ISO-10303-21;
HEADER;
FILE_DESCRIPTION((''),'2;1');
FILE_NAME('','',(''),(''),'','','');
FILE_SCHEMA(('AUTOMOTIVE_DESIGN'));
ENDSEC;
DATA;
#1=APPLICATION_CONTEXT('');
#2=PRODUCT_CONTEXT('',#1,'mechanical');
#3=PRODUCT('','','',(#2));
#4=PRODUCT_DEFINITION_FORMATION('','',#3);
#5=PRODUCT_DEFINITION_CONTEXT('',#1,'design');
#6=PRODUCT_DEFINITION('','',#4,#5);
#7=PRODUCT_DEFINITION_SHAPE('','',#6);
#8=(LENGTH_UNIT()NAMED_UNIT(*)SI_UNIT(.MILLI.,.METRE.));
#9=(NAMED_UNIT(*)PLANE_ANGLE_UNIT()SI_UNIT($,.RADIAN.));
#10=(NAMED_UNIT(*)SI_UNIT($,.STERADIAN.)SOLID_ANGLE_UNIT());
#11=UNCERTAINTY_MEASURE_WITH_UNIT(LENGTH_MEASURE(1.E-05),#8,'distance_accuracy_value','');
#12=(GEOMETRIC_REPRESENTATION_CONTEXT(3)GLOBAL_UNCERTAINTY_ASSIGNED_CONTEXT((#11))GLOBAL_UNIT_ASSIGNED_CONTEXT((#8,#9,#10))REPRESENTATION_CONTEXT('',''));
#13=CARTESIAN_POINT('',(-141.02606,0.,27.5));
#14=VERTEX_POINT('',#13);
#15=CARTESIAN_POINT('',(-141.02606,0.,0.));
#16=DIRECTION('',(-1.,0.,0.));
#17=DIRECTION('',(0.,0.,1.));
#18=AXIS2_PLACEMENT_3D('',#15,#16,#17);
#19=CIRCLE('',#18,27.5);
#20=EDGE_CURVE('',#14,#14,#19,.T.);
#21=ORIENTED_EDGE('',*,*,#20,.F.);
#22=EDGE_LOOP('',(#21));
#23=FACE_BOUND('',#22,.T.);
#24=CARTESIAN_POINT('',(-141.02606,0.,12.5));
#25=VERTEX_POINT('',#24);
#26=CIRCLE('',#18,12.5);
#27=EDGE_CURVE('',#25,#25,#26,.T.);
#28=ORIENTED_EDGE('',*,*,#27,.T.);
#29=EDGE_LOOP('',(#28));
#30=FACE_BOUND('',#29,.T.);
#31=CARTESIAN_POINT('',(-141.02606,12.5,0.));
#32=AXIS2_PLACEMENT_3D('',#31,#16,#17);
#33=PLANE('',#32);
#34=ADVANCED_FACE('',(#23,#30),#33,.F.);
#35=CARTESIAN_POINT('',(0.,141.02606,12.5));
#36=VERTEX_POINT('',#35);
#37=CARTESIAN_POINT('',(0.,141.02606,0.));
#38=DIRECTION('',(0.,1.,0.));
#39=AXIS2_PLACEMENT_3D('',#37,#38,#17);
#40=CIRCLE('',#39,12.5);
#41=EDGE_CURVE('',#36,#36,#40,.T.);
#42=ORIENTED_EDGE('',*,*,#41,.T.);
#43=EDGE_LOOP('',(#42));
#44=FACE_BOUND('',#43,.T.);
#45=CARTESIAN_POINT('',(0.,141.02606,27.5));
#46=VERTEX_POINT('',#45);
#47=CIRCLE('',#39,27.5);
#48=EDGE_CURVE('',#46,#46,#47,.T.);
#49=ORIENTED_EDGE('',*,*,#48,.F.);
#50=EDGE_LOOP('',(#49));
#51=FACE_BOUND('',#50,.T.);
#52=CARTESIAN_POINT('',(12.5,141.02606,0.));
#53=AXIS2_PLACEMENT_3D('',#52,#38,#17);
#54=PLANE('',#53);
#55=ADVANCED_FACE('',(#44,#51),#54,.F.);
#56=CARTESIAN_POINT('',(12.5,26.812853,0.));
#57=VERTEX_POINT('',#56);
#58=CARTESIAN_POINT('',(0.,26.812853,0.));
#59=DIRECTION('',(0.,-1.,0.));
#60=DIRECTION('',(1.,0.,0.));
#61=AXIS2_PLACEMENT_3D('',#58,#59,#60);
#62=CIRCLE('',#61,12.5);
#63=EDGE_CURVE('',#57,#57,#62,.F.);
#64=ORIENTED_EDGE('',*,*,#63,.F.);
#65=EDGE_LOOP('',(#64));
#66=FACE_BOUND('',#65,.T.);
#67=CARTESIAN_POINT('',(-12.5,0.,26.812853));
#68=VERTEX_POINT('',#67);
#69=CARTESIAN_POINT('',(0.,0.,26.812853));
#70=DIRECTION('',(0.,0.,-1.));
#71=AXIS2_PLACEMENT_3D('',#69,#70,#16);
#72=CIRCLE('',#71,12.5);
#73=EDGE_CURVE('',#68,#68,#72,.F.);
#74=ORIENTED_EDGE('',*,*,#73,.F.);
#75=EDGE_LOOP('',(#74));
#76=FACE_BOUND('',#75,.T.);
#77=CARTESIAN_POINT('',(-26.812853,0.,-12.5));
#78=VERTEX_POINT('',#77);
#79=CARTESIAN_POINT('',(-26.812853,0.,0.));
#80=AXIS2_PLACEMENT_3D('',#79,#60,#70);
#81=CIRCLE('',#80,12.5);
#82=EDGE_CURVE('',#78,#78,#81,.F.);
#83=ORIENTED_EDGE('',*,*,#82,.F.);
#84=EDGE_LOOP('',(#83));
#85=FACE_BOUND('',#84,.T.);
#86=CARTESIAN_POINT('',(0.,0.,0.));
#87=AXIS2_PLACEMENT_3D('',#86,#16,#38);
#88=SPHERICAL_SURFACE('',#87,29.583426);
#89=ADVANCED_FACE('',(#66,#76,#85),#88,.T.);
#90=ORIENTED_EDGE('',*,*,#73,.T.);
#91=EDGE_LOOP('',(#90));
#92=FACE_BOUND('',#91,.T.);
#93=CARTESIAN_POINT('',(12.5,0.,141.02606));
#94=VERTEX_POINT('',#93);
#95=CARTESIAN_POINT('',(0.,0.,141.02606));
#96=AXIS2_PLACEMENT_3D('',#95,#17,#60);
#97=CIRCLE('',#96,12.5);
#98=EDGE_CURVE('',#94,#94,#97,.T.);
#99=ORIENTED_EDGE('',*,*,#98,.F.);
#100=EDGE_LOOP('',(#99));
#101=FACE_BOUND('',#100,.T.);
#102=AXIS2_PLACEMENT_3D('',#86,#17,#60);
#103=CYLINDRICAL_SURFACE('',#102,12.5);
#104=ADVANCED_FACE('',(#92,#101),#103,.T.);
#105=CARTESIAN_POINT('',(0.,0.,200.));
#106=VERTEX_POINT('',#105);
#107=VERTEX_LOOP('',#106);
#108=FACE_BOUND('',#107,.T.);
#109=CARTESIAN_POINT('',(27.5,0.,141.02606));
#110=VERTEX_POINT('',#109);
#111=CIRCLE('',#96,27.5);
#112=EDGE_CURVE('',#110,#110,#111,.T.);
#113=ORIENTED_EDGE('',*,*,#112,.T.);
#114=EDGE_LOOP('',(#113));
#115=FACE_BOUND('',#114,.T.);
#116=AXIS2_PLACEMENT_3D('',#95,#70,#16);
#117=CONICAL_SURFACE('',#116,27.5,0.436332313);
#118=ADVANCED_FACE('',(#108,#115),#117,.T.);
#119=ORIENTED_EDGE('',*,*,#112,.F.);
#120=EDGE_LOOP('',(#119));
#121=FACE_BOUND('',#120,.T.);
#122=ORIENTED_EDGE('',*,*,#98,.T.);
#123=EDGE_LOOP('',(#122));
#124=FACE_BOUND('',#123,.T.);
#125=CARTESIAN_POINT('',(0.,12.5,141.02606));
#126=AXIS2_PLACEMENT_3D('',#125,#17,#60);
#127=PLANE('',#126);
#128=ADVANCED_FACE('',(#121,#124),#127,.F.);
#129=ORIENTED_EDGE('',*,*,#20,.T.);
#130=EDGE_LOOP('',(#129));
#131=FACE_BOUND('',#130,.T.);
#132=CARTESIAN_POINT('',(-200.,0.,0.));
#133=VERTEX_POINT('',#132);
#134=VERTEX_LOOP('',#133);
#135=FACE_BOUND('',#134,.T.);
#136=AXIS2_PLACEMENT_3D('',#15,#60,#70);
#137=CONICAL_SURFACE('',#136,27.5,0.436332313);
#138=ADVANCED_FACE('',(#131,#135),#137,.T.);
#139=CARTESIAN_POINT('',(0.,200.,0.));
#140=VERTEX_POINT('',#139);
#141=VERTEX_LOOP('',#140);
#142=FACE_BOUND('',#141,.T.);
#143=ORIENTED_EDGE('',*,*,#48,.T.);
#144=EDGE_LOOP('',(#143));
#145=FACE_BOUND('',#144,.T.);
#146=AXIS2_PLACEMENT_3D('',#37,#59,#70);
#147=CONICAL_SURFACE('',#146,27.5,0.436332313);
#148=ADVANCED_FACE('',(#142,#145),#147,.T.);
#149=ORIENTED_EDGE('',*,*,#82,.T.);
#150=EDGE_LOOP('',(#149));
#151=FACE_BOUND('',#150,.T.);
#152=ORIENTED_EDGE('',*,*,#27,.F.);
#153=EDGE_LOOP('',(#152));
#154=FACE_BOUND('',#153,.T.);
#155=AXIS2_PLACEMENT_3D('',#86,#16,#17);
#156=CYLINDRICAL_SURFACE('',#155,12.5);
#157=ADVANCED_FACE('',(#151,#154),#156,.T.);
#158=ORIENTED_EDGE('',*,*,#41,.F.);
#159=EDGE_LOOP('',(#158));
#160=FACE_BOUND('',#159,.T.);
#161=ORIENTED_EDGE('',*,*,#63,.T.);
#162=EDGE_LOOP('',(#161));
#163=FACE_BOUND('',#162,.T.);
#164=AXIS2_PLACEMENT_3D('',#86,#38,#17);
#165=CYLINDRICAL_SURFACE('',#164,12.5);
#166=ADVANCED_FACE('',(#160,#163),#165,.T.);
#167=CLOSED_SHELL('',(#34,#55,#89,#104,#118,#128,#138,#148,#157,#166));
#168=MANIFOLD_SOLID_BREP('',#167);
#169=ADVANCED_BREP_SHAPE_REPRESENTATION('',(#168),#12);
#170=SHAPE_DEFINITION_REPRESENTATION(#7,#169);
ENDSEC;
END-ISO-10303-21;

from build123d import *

# Parameters (mm, degrees)
CIRPATTERN1_COUNT = 2
CIRPATTERN1_ANGLE = 90
CIRPATTERN2_COUNT = 2
CIRPATTERN2_ANGLE = 90


with BuildPart() as part:
    # Sketch1 → Revolve1 (revolve)
    with BuildSketch(Plane.XY, mode=Mode.PRIVATE) as revolve1_sk:
        Polygon((0, 0), (0, 12.5), (-141.026059686, 12.5), (-141.026059686, 27.5), (-200, 0), align=None)
    revolve1 = revolve(revolve1_sk.sketch.rotate(Axis((0, 0, 0), (1, 0, 0)), 90), axis=Axis((0, 0, 0), (1, 0, 0)))

    # CirPattern1: Revolve1 ×2 about axis
    cirpattern1_axis = Axis((0, 30.25, 0), (0, 1, 0))
    for i in range(1, CIRPATTERN1_COUNT):
        add(revolve1.rotate(cirpattern1_axis, i * CIRPATTERN1_ANGLE / (CIRPATTERN1_COUNT - 1)))

    # CirPattern2: Revolve1 ×2 about axis
    cirpattern2_axis = Axis((0, 0, -36.375), (0, 0, -1))
    for i in range(1, CIRPATTERN2_COUNT):
        add(revolve1.rotate(cirpattern2_axis, i * CIRPATTERN2_ANGLE / (CIRPATTERN2_COUNT - 1)))

    # Sketch2 → Revolve2 (revolve)
    with BuildSketch(Plane.XY):
        with BuildLine():
            Line((-29.583426204, 0), (29.583426204, 0))
            ThreePointArc((29.583426204, 0), (0, -29.583426204), (-29.583426204, 0))
        make_face()
    revolve(axis=Axis((-29.583426204, 0, 0), (1, 0, 0)))


solid = part.part
